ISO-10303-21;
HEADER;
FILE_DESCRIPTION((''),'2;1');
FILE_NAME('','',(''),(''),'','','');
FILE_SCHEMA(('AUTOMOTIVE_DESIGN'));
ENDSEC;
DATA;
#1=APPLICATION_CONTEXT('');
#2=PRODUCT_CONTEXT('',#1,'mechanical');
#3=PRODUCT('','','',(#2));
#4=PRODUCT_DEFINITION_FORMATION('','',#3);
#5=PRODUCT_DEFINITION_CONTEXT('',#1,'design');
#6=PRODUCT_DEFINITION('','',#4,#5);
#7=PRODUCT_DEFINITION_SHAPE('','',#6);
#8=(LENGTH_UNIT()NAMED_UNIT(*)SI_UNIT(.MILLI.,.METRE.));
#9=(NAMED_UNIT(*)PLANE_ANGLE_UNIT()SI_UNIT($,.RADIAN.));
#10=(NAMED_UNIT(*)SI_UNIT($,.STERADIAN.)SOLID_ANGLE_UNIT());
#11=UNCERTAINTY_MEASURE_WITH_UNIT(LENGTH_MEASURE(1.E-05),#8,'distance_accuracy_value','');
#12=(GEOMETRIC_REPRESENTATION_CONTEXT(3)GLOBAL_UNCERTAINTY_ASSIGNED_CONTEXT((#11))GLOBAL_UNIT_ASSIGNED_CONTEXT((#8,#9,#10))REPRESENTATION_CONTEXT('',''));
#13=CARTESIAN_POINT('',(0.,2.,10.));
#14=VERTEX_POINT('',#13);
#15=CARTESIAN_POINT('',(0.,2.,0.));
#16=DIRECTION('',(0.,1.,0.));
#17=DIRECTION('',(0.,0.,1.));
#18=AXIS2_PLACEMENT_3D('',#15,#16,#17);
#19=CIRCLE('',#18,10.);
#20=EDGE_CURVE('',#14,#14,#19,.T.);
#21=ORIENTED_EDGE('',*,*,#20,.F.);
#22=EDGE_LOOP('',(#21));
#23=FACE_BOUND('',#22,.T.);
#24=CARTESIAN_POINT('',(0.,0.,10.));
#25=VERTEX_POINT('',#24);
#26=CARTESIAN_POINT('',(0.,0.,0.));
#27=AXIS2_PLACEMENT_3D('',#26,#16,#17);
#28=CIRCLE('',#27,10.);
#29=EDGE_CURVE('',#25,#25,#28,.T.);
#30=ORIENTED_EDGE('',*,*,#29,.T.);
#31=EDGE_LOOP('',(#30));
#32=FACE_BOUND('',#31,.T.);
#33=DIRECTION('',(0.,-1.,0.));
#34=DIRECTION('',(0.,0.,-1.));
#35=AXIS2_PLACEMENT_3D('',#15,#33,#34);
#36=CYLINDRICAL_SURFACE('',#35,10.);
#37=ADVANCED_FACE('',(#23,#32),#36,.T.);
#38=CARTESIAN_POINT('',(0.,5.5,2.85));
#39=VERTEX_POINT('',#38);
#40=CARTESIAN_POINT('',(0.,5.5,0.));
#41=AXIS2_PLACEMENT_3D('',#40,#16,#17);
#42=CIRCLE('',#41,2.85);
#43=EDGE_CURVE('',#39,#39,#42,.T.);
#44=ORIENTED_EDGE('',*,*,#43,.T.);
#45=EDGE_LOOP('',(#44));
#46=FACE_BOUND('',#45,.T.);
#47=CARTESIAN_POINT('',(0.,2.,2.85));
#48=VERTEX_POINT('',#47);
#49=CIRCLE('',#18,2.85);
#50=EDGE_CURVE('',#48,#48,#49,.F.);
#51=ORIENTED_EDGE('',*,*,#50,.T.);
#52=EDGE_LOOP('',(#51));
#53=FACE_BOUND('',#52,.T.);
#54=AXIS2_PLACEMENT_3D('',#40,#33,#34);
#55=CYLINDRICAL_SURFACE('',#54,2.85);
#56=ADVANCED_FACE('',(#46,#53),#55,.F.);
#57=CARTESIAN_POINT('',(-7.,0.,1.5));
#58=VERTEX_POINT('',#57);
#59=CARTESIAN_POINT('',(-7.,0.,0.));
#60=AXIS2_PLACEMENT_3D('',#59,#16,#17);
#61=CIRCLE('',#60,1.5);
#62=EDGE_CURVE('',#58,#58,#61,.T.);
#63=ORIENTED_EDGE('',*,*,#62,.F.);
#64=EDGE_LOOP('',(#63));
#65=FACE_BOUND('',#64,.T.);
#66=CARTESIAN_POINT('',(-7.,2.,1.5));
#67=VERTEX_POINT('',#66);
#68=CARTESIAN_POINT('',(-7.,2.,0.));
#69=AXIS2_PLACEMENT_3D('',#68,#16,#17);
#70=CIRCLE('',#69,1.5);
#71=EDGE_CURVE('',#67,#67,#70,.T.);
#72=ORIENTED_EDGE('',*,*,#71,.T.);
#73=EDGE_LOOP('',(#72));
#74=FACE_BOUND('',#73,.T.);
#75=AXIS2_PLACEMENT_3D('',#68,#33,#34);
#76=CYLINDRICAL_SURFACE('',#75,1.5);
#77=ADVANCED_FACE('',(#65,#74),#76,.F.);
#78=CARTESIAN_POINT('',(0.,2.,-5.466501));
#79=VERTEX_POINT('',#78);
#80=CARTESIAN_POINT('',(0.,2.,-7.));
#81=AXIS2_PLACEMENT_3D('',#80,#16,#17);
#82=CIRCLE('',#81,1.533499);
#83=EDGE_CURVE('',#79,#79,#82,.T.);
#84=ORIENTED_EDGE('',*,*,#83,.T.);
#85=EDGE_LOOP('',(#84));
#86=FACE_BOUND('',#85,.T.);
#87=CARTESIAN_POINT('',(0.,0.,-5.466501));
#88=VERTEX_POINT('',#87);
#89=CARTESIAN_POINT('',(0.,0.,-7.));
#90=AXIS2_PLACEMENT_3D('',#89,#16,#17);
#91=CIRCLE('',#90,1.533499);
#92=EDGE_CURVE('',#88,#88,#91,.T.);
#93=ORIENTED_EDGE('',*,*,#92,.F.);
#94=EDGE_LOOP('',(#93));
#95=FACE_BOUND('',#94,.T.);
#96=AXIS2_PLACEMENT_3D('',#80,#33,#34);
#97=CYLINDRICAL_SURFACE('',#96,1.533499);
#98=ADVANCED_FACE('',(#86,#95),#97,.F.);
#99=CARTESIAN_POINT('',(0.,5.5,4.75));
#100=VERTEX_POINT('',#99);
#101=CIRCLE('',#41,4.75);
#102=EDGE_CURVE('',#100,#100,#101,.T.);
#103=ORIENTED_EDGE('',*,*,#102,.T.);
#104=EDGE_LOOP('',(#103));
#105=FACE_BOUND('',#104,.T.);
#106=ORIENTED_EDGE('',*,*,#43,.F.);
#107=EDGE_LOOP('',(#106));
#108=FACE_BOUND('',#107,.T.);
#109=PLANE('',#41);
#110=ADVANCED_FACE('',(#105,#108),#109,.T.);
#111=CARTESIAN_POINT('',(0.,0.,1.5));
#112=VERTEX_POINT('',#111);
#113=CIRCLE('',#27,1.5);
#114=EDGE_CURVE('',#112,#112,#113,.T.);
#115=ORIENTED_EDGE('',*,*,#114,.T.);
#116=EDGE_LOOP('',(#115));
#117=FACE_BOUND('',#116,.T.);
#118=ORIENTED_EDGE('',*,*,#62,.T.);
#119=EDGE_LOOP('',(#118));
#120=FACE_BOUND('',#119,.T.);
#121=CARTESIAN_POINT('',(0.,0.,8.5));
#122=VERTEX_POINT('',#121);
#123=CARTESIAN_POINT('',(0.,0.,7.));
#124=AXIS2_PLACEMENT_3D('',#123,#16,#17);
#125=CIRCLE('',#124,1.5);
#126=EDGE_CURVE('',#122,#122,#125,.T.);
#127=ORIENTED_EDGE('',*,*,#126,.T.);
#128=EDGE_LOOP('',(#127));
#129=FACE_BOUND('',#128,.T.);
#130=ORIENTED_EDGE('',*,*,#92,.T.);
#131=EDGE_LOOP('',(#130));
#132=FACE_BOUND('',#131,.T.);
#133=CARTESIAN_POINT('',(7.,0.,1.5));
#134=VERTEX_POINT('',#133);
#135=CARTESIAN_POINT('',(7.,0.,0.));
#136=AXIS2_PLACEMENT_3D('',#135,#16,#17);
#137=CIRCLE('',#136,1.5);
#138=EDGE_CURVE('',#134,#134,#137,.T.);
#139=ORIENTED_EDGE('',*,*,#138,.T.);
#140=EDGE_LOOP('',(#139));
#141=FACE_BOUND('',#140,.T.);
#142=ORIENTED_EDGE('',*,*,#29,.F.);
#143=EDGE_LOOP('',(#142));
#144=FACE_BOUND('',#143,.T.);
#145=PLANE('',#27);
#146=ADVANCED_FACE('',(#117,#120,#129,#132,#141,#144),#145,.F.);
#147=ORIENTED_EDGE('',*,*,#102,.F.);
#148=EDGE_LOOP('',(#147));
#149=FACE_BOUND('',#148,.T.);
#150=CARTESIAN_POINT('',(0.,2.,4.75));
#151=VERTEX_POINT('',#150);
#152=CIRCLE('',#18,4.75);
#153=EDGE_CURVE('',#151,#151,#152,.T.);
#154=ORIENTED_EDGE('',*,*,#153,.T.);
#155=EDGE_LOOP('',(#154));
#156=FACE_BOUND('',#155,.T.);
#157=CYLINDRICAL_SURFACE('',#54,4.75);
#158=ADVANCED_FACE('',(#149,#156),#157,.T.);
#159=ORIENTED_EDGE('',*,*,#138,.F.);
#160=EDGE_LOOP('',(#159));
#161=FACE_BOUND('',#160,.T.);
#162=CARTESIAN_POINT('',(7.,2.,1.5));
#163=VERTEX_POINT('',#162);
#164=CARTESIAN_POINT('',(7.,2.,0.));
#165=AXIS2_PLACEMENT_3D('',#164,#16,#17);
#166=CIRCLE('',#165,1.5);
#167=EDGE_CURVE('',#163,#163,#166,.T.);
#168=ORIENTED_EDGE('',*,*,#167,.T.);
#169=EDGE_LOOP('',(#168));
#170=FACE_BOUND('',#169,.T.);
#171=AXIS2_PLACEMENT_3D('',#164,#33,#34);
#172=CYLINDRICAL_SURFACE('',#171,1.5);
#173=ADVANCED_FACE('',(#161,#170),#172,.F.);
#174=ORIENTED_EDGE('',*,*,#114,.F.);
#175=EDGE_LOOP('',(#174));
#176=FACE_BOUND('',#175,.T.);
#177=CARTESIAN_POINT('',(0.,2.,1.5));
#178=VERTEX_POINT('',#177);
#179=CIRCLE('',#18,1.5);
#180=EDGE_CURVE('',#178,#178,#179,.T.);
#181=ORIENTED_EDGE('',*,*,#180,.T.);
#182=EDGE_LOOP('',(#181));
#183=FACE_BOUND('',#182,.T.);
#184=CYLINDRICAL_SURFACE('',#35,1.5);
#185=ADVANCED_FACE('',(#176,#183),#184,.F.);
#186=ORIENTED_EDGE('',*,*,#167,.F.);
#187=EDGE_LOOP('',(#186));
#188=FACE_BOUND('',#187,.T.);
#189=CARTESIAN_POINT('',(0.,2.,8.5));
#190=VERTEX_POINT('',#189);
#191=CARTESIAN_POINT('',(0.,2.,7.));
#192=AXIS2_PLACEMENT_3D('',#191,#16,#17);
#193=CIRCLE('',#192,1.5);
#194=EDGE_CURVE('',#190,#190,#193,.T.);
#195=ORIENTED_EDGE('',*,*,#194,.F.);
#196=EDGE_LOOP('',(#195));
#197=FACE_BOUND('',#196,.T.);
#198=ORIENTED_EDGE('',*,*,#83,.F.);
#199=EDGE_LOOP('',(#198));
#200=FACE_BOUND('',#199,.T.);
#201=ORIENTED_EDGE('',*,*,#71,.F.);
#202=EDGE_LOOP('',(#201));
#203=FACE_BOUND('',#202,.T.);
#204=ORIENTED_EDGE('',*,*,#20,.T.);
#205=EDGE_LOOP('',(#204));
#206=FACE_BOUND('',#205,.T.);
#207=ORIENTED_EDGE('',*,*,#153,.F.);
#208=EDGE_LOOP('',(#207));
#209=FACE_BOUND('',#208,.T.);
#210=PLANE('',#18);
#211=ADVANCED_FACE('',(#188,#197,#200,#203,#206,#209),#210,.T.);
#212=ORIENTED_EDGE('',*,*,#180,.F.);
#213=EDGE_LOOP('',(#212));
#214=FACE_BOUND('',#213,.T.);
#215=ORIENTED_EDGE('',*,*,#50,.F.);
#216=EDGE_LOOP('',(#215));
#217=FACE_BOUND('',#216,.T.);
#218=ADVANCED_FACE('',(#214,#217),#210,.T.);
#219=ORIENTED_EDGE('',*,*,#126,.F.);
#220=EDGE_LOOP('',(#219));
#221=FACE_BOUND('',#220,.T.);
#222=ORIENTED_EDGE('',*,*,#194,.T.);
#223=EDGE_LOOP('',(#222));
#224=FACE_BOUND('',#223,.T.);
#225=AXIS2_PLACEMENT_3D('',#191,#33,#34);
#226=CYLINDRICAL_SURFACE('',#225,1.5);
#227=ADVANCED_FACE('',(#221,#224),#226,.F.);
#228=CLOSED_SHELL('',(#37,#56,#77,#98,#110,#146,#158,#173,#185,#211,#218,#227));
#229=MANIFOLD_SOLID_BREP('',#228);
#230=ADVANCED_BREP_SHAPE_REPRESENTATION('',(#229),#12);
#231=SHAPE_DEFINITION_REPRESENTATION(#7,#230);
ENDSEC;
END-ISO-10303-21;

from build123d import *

# Parameters (mm, degrees)
CROQUIS1_R              = 10
CROQUIS1_R_2            = 1.5
CROQUIS1_R_3            = 1.533499393
CROQUIS1_R_4            = 2.75
SALIENTE_EXTRUIR1_DEPTH = 2
CROQUIS2_R              = 4.75
CROQUIS2_R_2            = 2.85
SALIENTE_EXTRUIR2_DEPTH = 3.5


with BuildPart() as part:
    # Croquis1 → Saliente-Extruir1 (new body)
    # profile 1 of 2: a face of its own
    with BuildSketch(Plane(origin=(0, 0, 0), x_dir=(1, 0, 0), z_dir=(0, 1, 0))):
        with Locations(Location((0, 0, 0), (0, 0, 270))):
            Circle(CROQUIS1_R)
        with Locations(Location((-7, 0, 0), (0, 0, 270))):
            Circle(CROQUIS1_R_2, mode=Mode.SUBTRACT)
        with Locations(Location((0, -7, 0), (0, 0, 270))):
            Circle(CROQUIS1_R_2, mode=Mode.SUBTRACT)
        with Locations(Location((7, 0, 0), (0, 0, 270))):
            Circle(CROQUIS1_R_2, mode=Mode.SUBTRACT)
        with Locations(Location((0, 7, 0), (0, 0, 270))):
            Circle(CROQUIS1_R_3, mode=Mode.SUBTRACT)
        Circle(CROQUIS1_R_4, mode=Mode.SUBTRACT)
    # profile 2 of 2: a face of its own
    with BuildSketch(Plane(origin=(0, 0, 0), x_dir=(1, 0, 0), z_dir=(0, 1, 0))):
        Circle(CROQUIS1_R_4)
        with Locations(Location((0, 0, 0), (0, 0, 270))):
            Circle(CROQUIS1_R_2, mode=Mode.SUBTRACT)
    extrude(amount=SALIENTE_EXTRUIR1_DEPTH)

    # Croquis2 → Saliente-Extruir2 (add)
    with BuildSketch(Plane(origin=(0, 2, 0), x_dir=(1, 0, 0), z_dir=(0, 1, 0))):
        with Locations(Location((0, 0, 0), (0, 0, 270))):
            Circle(CROQUIS2_R)
        with Locations(Location((0, 0, 0), (0, 0, 270))):
            Circle(CROQUIS2_R_2, mode=Mode.SUBTRACT)
    extrude(amount=SALIENTE_EXTRUIR2_DEPTH)


solid = part.part
